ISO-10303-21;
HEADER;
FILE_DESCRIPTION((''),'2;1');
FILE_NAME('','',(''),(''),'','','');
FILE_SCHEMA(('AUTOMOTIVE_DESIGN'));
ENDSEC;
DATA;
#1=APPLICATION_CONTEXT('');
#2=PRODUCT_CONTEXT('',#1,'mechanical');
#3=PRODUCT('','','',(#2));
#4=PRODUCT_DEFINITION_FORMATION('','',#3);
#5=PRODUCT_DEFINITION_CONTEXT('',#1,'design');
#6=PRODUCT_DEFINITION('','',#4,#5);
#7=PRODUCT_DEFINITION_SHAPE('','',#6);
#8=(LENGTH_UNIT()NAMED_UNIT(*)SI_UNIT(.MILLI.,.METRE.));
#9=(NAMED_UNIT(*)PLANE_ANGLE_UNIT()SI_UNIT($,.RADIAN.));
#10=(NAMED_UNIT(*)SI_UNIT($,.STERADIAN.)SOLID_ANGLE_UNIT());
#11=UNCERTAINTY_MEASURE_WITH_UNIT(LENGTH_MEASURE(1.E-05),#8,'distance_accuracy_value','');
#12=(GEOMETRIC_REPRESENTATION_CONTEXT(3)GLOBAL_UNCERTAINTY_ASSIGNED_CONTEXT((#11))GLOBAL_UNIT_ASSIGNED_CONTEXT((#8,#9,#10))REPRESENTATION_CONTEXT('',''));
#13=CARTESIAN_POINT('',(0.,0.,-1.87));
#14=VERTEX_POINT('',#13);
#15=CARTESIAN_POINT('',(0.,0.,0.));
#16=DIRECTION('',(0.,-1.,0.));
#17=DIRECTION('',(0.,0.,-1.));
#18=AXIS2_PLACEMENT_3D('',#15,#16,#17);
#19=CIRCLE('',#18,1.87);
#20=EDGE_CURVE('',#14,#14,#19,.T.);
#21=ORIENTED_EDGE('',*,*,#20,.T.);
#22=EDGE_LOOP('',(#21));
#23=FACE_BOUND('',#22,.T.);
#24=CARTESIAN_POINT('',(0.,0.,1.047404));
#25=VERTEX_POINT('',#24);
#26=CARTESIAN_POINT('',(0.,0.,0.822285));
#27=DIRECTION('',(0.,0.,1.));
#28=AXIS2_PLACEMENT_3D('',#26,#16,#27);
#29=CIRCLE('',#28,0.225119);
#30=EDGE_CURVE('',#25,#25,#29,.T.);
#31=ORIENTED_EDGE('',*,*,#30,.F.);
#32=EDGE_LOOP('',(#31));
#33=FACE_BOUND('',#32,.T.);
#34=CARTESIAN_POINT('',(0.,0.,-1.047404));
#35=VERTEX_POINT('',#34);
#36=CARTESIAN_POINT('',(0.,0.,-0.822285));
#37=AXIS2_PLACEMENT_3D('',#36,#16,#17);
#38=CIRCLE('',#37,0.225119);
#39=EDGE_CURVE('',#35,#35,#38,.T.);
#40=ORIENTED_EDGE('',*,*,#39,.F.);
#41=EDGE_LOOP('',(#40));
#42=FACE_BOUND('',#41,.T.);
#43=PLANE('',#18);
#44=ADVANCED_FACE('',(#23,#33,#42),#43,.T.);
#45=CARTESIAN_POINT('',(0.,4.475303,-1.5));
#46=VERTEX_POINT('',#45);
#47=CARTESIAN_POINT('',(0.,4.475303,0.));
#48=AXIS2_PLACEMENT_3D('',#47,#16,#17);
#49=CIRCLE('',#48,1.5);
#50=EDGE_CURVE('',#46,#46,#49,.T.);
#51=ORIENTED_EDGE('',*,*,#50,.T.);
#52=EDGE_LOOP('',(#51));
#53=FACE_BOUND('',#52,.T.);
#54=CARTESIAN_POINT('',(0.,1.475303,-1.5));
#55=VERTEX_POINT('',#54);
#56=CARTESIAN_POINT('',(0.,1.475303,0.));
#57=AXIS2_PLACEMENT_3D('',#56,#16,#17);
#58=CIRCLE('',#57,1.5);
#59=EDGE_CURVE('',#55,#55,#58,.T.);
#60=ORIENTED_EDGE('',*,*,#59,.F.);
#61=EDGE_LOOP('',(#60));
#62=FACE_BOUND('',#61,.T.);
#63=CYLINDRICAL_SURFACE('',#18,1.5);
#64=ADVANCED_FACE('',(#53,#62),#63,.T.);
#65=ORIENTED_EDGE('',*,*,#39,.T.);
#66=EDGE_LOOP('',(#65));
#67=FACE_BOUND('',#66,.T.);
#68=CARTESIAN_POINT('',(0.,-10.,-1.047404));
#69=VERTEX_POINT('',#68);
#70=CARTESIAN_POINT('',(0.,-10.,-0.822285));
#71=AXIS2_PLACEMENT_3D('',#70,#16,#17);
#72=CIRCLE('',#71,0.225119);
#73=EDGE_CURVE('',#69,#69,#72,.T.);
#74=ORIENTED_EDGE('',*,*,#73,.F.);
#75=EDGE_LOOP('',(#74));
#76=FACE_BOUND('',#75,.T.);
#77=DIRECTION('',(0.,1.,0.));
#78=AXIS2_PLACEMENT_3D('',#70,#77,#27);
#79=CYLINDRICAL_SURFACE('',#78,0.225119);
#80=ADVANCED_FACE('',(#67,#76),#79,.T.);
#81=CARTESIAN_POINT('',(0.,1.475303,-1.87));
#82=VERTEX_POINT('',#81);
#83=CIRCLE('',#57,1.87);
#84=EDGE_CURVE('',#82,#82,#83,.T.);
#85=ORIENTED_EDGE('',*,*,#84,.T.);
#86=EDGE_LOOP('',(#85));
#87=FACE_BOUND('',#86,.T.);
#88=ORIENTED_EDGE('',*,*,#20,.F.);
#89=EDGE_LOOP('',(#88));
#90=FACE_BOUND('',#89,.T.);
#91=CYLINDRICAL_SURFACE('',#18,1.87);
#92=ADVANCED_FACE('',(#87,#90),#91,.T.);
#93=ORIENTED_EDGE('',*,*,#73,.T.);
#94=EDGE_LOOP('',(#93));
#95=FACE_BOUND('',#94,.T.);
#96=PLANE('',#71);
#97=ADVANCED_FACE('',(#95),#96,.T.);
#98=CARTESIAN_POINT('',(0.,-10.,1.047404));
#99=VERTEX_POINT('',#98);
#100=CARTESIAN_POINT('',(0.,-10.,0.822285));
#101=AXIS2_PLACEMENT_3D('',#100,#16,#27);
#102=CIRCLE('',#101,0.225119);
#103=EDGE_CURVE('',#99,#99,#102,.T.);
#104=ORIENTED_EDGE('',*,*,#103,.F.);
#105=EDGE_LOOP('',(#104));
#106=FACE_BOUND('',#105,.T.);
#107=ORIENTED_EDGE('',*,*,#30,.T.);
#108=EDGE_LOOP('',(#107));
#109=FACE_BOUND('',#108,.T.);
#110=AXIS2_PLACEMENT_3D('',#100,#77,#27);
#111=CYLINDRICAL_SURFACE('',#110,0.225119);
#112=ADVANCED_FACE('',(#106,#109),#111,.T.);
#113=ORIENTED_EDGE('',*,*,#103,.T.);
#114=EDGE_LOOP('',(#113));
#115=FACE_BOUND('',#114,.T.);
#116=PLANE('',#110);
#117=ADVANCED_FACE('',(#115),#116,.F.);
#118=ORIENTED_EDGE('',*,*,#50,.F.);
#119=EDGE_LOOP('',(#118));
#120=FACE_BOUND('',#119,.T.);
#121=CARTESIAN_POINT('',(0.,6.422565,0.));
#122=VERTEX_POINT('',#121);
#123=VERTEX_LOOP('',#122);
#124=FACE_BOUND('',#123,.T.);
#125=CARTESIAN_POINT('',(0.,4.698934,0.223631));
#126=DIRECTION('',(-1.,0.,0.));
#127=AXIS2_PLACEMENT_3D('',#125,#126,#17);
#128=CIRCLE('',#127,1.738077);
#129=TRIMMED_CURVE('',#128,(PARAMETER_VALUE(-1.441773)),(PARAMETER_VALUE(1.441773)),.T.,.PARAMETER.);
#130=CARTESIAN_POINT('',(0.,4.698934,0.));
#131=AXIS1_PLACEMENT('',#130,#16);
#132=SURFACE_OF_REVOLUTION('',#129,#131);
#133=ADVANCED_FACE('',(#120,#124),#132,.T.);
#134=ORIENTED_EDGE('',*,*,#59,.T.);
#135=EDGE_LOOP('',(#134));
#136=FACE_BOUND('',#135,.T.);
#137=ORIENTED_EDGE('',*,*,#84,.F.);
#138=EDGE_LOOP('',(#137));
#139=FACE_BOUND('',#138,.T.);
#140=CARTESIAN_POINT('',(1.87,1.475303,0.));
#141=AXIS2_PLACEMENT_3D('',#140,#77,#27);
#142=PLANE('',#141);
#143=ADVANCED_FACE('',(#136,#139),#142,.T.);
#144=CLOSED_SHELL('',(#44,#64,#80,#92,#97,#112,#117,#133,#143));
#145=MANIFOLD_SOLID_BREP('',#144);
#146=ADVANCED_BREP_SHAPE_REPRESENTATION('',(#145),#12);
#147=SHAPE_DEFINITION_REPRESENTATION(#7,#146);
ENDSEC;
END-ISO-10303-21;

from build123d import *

# Parameters (mm, degrees)
SKETCH2_R           = 0.225118876
BOSS_EXTRUDE1_DEPTH = 10


with BuildPart() as part:
    # Sketch1 → Revolve1 (revolve)
    with BuildSketch(Plane.XY, mode=Mode.PRIVATE) as revolve1_sk:
        with BuildLine():
            Line((0, 0), (0, 6.422564509))
            ThreePointArc((0, 6.422564509), (1.15329097, 5.759594151), (1.5, 4.47530345))
            Line((1.5, 4.47530345), (1.5, 1.47530345))
            Line((1.5, 1.47530345), (1.87, 1.47530345))
            Line((1.87, 1.47530345), (1.87, 0))
            Line((1.87, 0), (0, 0))
        make_face()
    revolve(revolve1_sk.sketch.rotate(Axis((0, 0, 0), (0, 1, 0)), 90), axis=Axis((0, 0, 0), (0, 1, 0)))

    # Sketch2 → Boss-Extrude1 (add)
    with BuildSketch(Plane(origin=(0, 0, 0), x_dir=(-1, 0, 0), z_dir=(0, -1, 0))):
        with Locations(Location((0, 0.822285039, 0), (0, 0, 90))):
            Circle(SKETCH2_R)
        with Locations(Location((0, -0.822285039, 0), (0, 0, 270))):
            Circle(SKETCH2_R)
    extrude(amount=BOSS_EXTRUDE1_DEPTH)


solid = part.part
